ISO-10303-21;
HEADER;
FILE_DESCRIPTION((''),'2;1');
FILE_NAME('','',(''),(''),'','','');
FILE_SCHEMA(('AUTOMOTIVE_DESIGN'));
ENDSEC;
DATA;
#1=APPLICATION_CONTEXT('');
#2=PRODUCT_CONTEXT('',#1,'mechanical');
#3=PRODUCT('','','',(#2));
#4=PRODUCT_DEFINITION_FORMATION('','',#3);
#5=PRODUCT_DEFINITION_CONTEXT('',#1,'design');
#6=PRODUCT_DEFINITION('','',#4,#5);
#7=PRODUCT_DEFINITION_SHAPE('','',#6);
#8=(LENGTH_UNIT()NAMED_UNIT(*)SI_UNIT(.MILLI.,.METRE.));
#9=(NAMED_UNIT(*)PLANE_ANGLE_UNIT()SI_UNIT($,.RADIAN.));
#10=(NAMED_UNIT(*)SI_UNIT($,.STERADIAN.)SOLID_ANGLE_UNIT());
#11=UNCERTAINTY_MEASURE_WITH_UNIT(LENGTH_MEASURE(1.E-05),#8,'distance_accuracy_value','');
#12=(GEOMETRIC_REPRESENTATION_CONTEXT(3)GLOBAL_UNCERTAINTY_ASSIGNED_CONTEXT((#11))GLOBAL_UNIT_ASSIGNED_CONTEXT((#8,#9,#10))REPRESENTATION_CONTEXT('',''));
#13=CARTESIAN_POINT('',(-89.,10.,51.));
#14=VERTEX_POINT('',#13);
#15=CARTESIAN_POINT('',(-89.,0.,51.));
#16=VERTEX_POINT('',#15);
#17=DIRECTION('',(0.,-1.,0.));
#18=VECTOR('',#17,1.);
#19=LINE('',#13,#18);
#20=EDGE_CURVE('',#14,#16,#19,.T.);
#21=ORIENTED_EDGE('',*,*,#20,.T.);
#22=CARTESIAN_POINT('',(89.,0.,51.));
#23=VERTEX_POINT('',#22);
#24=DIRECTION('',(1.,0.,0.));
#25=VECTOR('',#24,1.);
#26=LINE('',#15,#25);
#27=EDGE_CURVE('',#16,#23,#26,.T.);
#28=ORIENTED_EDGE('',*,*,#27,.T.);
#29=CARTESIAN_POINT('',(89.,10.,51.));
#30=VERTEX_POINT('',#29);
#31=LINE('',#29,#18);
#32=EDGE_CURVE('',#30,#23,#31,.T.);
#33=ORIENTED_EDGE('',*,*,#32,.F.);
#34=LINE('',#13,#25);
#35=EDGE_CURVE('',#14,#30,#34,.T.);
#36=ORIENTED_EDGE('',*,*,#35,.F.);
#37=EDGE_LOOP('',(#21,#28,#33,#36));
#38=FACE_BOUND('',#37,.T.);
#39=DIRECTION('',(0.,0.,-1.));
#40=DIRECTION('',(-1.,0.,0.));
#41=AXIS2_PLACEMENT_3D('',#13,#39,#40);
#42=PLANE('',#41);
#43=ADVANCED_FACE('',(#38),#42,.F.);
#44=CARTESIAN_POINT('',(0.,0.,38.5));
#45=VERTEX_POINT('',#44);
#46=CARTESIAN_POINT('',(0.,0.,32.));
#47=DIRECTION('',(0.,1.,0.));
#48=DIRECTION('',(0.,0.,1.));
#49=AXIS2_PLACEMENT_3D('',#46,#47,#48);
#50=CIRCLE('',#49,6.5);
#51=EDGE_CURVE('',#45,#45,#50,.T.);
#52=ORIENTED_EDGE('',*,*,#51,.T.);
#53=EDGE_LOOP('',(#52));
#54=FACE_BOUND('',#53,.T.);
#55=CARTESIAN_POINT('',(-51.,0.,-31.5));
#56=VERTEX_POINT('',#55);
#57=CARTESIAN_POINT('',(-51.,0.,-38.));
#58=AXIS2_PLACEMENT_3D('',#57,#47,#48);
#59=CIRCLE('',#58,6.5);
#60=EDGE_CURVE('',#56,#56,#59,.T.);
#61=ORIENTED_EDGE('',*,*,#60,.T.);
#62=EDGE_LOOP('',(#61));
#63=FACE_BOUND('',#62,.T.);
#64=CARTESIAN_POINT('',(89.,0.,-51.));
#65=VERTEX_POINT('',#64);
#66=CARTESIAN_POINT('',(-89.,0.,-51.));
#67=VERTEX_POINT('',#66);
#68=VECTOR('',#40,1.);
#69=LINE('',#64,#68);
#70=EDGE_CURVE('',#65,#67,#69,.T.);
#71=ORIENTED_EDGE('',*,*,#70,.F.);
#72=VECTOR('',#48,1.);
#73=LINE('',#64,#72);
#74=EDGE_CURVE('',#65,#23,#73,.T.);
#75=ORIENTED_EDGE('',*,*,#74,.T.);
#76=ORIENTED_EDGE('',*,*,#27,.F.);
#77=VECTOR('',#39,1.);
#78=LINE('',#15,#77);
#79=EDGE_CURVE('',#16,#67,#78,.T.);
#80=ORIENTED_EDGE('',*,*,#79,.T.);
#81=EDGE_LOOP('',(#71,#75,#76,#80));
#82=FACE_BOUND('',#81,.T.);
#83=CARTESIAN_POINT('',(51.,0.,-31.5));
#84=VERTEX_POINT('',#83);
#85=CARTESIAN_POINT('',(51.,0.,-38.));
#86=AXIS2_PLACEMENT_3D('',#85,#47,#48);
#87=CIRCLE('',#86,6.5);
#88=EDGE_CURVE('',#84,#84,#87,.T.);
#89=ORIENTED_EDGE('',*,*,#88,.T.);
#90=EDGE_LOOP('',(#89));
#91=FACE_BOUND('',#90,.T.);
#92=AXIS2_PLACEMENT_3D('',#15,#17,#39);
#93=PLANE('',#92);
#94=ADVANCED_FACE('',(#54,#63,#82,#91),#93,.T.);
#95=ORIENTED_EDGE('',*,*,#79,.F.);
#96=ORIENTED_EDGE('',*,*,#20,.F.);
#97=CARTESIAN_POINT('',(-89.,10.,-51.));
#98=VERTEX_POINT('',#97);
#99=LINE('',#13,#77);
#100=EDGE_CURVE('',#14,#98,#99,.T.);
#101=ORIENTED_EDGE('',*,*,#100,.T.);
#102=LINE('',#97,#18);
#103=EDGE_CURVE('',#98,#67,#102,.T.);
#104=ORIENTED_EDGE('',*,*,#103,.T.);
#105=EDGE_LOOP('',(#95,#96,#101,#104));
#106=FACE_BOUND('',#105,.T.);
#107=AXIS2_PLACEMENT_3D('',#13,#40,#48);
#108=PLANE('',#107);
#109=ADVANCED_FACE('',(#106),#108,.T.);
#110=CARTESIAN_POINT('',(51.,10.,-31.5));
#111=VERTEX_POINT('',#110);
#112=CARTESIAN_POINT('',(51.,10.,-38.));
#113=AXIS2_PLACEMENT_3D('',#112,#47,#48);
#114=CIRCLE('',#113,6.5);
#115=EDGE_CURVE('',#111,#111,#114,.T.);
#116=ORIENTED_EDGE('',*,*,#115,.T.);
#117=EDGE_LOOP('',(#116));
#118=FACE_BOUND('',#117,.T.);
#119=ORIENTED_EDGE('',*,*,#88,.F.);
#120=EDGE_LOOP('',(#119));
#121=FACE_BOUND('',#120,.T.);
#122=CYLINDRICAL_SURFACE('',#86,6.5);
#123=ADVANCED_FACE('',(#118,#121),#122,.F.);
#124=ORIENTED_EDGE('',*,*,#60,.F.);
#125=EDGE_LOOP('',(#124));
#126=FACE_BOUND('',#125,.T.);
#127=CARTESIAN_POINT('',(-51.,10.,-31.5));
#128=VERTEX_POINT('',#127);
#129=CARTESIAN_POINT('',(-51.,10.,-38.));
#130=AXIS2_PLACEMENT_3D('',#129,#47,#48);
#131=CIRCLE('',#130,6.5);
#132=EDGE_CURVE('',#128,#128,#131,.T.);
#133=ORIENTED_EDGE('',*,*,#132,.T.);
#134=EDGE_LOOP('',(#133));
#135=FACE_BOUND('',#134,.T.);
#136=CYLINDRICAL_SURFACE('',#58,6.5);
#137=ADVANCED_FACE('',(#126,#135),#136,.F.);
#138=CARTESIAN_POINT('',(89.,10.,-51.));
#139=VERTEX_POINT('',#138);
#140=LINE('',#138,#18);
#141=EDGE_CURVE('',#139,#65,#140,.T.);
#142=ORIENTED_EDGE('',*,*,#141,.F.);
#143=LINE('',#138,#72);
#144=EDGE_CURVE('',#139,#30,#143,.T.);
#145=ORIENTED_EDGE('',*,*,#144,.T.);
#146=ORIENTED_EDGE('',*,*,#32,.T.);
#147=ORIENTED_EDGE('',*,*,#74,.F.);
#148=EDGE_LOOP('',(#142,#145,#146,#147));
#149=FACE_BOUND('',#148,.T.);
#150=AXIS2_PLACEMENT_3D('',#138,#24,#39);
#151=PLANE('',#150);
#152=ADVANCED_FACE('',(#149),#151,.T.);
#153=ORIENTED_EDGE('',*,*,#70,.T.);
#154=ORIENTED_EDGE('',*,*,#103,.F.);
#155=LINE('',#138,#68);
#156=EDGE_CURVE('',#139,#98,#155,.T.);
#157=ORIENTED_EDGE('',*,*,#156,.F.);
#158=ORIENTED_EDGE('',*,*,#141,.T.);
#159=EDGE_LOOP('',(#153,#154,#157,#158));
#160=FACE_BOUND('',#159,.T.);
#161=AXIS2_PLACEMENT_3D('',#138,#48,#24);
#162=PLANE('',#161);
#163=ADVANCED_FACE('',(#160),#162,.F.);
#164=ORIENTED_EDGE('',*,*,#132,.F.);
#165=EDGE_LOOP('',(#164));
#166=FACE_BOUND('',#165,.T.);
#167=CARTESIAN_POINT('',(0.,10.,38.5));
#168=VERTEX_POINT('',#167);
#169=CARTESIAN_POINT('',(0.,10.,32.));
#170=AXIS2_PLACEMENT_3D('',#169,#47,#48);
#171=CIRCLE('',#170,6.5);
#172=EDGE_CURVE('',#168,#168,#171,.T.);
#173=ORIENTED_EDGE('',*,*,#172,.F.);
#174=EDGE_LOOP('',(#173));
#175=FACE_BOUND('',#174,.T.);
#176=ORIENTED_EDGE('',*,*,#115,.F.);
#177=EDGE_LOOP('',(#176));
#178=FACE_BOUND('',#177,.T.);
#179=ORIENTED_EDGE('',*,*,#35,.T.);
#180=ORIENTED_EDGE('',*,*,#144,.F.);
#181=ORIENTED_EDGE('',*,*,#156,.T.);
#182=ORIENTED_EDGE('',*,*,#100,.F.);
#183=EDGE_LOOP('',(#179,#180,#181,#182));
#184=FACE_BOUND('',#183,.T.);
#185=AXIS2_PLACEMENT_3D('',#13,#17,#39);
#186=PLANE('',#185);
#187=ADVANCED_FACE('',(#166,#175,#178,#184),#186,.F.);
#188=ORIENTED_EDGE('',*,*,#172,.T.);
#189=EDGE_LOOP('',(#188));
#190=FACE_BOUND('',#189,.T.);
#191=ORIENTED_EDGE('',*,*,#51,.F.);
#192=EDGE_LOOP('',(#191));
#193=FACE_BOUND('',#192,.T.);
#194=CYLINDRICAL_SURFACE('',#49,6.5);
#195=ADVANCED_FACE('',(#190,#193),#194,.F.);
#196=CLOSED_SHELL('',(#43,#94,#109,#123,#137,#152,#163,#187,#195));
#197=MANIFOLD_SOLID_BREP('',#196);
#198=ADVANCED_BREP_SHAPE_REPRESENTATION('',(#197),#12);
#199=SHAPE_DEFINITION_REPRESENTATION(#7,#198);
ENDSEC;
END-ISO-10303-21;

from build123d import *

# Parameters (mm, degrees)
SKETCH1_W   = 178
SKETCH1_H   = 102
PLATE_DEPTH = 10
SKETCH2_R   = 6.5
HOLES_DEPTH = 104.063087476


with BuildPart() as part:
    # Sketch1 → Plate (new body)
    with BuildSketch(Plane(origin=(0, 0, 0), x_dir=(1, 0, 0), z_dir=(0, 1, 0))):
        Rectangle(SKETCH1_W, SKETCH1_H)
    extrude(amount=PLATE_DEPTH)

    # Sketch2 → Holes (cut, through all)
    with BuildSketch(Plane(origin=(0, 10, 0), x_dir=(-1, 0, 0), z_dir=(0, 1, 0))):
        with Locations(Location((51, -38, 0), (0, 0, 90))):
            Circle(SKETCH2_R)
        with Locations(Location((-51, -38, 0), (0, 0, 90))):
            Circle(SKETCH2_R)
        with Locations(Location((0, 32, 0), (0, 0, 90))):
            Circle(SKETCH2_R)
    extrude(amount=-HOLES_DEPTH, mode=Mode.SUBTRACT)


solid = part.part
